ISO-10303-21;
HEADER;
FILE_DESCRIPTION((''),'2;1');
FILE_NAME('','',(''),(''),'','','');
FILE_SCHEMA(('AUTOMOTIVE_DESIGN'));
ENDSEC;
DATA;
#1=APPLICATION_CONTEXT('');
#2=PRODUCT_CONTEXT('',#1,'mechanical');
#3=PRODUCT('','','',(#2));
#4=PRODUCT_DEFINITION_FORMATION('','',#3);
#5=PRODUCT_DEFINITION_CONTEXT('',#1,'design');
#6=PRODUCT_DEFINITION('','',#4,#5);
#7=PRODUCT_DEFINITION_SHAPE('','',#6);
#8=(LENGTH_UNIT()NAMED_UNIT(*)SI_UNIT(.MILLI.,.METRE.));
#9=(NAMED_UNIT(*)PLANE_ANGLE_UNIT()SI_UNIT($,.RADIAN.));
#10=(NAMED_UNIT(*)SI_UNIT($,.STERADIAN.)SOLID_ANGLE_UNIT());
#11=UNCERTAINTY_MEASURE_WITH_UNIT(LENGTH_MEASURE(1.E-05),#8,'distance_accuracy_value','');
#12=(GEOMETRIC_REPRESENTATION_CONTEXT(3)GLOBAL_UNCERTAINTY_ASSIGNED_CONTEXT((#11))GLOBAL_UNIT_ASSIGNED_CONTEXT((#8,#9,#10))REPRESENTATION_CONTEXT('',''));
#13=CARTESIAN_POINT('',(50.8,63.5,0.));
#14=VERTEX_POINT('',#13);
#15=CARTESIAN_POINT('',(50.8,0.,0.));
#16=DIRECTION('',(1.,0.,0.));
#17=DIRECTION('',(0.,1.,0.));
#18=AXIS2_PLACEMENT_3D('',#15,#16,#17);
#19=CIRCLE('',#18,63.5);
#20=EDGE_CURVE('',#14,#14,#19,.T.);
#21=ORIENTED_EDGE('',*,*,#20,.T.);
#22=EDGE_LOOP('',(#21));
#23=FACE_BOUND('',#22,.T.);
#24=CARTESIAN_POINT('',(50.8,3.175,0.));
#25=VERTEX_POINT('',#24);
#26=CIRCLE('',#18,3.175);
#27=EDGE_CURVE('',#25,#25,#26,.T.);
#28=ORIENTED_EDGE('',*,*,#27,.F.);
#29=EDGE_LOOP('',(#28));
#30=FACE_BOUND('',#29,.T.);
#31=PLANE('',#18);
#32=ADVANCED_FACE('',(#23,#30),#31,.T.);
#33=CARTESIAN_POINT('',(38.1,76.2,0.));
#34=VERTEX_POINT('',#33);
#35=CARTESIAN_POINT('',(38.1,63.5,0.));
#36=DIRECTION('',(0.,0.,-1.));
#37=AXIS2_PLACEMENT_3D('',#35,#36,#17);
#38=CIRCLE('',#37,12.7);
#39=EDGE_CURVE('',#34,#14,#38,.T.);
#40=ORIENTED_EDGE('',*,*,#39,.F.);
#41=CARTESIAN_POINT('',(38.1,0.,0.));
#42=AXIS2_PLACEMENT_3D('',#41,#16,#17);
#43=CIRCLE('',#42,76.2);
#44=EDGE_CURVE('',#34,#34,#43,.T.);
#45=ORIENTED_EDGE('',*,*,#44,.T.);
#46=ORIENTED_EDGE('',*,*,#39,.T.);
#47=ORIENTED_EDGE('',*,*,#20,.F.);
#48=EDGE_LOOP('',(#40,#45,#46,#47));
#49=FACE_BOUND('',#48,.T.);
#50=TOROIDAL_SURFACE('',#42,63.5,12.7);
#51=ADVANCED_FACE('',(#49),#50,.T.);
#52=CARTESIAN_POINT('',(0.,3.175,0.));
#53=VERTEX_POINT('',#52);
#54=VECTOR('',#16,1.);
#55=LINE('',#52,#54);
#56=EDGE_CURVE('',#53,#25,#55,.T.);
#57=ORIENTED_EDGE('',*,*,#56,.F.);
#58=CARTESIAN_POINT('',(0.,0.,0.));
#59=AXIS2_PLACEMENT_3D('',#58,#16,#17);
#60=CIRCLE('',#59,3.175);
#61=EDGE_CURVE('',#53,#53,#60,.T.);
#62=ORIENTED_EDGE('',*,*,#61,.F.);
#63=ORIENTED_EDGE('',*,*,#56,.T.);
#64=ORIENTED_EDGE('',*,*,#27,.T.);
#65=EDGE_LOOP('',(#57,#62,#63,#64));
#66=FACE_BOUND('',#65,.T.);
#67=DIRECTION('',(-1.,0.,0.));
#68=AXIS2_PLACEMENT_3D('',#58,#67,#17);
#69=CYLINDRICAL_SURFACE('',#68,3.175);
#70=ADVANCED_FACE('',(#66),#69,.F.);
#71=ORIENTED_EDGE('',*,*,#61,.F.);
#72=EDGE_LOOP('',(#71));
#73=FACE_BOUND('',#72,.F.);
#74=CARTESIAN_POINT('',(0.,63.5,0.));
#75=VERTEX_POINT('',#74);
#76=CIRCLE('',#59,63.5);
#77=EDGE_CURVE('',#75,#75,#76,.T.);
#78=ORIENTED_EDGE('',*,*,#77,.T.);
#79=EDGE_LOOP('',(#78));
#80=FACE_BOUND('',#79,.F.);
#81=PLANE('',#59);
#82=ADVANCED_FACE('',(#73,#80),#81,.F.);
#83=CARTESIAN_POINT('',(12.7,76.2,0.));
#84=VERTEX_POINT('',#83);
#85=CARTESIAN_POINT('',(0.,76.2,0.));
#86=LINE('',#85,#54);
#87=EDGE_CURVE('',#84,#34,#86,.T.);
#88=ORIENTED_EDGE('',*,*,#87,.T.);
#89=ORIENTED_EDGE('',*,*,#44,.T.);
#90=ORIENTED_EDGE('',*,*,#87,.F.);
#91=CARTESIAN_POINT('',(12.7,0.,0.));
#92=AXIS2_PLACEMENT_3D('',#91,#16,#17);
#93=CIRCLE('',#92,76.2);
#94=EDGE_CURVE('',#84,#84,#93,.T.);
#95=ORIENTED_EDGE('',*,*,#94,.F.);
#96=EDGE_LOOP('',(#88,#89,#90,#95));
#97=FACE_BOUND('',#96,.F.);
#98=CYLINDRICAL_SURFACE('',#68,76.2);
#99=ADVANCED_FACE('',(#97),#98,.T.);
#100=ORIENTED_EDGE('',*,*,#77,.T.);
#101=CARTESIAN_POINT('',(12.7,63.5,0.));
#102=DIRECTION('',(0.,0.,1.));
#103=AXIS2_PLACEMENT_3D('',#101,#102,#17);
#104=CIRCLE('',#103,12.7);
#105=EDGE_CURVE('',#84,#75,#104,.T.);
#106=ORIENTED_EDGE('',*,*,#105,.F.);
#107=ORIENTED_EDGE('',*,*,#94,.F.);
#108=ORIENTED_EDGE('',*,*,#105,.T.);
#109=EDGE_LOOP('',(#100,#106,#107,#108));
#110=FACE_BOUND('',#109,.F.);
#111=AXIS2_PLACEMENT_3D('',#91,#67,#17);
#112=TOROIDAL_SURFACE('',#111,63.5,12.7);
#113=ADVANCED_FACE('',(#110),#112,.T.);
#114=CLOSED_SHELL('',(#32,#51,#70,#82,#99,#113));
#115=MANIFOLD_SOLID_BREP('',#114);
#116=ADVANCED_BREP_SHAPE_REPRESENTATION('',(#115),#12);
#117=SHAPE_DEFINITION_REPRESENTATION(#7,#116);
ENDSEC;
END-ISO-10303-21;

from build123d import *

# Parameters (mm, degrees)
F0_R     = 76.2
F0_R_2   = 3.175
F1_DEPTH = 50.8
F2_R     = 12.7
F3_R     = 12.7


with BuildPart() as f1:
    # F0 (on Right) → F1 (new body)
    with BuildSketch(Plane.YZ):
        Circle(F0_R)
        Circle(F0_R_2, mode=Mode.SUBTRACT)
    extrude(amount=F1_DEPTH)

    # F2
    f2_edges = [f1.edges().sort_by_distance(p)[0] for p in [
        (50.8, -76.2, 0),
    ]]
    fillet(f2_edges, radius=F2_R)

    # F3
    f3_edges = [f1.edges().sort_by_distance(p)[0] for p in [
        (0, -76.2, 0),
    ]]
    fillet(f3_edges, radius=F3_R)


solid = f1.part
